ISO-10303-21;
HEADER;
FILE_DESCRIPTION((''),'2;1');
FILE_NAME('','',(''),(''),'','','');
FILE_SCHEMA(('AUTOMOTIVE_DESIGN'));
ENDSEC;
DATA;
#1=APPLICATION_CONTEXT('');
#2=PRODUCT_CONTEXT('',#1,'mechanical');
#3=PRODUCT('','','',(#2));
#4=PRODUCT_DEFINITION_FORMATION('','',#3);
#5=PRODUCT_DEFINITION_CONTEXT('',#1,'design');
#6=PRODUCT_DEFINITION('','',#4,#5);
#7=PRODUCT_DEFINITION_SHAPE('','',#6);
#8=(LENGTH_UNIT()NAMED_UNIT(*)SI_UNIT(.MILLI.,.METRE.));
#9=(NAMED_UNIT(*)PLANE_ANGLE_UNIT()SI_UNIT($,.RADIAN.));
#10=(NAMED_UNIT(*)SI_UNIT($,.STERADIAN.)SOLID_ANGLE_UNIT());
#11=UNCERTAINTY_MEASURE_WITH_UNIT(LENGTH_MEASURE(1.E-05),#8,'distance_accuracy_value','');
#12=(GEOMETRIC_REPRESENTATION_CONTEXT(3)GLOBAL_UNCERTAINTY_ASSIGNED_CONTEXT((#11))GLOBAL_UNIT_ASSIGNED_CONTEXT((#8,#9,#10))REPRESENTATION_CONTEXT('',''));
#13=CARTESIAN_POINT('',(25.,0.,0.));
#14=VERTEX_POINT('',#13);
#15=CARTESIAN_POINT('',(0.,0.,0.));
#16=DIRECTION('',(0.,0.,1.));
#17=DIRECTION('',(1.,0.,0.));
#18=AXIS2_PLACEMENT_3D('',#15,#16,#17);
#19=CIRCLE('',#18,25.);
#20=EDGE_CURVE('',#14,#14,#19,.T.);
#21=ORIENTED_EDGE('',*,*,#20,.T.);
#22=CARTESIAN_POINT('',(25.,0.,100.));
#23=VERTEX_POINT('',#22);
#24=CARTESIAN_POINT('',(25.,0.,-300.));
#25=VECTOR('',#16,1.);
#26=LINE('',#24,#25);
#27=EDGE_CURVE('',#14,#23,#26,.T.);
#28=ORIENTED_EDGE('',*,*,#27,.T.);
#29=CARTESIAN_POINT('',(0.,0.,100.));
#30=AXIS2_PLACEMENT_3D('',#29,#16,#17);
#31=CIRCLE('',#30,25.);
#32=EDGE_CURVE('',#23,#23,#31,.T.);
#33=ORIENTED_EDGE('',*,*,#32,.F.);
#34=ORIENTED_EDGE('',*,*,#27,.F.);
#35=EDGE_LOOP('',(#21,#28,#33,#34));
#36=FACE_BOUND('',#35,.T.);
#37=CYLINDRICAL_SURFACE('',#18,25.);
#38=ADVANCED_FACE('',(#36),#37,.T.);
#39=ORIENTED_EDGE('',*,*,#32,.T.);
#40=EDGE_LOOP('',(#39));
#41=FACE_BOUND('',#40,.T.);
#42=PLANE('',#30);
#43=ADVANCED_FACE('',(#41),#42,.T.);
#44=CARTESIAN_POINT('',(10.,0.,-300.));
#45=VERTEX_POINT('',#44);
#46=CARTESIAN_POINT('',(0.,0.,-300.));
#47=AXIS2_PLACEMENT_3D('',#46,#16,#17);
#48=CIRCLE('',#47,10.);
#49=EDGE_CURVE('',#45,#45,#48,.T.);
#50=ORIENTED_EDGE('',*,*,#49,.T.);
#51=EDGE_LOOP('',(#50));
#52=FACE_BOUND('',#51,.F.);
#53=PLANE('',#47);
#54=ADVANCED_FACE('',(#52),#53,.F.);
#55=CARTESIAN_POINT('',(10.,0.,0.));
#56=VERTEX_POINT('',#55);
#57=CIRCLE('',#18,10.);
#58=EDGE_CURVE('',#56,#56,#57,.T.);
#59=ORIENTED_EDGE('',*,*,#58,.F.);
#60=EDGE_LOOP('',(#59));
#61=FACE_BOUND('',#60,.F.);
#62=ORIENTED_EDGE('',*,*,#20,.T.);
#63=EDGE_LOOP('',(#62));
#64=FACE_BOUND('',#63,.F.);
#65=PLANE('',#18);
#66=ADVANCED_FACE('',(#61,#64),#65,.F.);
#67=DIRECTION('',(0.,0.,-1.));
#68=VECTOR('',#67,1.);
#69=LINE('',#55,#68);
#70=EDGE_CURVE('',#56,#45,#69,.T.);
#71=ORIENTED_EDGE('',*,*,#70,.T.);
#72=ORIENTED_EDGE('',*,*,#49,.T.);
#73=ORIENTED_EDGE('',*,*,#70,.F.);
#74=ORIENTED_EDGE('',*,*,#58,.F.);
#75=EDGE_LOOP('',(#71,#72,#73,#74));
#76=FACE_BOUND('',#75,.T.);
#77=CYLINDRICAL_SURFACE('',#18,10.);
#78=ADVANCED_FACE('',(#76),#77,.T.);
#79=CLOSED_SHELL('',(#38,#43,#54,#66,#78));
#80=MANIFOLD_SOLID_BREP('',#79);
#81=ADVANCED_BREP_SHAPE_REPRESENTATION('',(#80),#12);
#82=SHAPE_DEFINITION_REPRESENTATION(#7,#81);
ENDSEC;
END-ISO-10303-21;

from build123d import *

# Parameters (mm, degrees)
F0_R          = 25
F1_DEPTH      = 100
F1_DEPTH_BACK = 300
F2_R          = 25
F2_R_2        = 10
F3_DEPTH      = 300


with BuildPart() as f1:
    # F0 (on Top) → F1 (new body, two sides)
    with BuildSketch(Plane.XY) as f1_sk:
        Circle(F0_R)
    extrude(amount=F1_DEPTH)
    extrude(f1_sk.sketch, amount=-F1_DEPTH_BACK)

    # F2 (on Top) → F3 (cut)
    with BuildSketch(Plane.XY):
        Circle(F2_R)
        Circle(F2_R_2, mode=Mode.SUBTRACT)
    extrude(amount=-F3_DEPTH, mode=Mode.SUBTRACT)


solid = f1.part
